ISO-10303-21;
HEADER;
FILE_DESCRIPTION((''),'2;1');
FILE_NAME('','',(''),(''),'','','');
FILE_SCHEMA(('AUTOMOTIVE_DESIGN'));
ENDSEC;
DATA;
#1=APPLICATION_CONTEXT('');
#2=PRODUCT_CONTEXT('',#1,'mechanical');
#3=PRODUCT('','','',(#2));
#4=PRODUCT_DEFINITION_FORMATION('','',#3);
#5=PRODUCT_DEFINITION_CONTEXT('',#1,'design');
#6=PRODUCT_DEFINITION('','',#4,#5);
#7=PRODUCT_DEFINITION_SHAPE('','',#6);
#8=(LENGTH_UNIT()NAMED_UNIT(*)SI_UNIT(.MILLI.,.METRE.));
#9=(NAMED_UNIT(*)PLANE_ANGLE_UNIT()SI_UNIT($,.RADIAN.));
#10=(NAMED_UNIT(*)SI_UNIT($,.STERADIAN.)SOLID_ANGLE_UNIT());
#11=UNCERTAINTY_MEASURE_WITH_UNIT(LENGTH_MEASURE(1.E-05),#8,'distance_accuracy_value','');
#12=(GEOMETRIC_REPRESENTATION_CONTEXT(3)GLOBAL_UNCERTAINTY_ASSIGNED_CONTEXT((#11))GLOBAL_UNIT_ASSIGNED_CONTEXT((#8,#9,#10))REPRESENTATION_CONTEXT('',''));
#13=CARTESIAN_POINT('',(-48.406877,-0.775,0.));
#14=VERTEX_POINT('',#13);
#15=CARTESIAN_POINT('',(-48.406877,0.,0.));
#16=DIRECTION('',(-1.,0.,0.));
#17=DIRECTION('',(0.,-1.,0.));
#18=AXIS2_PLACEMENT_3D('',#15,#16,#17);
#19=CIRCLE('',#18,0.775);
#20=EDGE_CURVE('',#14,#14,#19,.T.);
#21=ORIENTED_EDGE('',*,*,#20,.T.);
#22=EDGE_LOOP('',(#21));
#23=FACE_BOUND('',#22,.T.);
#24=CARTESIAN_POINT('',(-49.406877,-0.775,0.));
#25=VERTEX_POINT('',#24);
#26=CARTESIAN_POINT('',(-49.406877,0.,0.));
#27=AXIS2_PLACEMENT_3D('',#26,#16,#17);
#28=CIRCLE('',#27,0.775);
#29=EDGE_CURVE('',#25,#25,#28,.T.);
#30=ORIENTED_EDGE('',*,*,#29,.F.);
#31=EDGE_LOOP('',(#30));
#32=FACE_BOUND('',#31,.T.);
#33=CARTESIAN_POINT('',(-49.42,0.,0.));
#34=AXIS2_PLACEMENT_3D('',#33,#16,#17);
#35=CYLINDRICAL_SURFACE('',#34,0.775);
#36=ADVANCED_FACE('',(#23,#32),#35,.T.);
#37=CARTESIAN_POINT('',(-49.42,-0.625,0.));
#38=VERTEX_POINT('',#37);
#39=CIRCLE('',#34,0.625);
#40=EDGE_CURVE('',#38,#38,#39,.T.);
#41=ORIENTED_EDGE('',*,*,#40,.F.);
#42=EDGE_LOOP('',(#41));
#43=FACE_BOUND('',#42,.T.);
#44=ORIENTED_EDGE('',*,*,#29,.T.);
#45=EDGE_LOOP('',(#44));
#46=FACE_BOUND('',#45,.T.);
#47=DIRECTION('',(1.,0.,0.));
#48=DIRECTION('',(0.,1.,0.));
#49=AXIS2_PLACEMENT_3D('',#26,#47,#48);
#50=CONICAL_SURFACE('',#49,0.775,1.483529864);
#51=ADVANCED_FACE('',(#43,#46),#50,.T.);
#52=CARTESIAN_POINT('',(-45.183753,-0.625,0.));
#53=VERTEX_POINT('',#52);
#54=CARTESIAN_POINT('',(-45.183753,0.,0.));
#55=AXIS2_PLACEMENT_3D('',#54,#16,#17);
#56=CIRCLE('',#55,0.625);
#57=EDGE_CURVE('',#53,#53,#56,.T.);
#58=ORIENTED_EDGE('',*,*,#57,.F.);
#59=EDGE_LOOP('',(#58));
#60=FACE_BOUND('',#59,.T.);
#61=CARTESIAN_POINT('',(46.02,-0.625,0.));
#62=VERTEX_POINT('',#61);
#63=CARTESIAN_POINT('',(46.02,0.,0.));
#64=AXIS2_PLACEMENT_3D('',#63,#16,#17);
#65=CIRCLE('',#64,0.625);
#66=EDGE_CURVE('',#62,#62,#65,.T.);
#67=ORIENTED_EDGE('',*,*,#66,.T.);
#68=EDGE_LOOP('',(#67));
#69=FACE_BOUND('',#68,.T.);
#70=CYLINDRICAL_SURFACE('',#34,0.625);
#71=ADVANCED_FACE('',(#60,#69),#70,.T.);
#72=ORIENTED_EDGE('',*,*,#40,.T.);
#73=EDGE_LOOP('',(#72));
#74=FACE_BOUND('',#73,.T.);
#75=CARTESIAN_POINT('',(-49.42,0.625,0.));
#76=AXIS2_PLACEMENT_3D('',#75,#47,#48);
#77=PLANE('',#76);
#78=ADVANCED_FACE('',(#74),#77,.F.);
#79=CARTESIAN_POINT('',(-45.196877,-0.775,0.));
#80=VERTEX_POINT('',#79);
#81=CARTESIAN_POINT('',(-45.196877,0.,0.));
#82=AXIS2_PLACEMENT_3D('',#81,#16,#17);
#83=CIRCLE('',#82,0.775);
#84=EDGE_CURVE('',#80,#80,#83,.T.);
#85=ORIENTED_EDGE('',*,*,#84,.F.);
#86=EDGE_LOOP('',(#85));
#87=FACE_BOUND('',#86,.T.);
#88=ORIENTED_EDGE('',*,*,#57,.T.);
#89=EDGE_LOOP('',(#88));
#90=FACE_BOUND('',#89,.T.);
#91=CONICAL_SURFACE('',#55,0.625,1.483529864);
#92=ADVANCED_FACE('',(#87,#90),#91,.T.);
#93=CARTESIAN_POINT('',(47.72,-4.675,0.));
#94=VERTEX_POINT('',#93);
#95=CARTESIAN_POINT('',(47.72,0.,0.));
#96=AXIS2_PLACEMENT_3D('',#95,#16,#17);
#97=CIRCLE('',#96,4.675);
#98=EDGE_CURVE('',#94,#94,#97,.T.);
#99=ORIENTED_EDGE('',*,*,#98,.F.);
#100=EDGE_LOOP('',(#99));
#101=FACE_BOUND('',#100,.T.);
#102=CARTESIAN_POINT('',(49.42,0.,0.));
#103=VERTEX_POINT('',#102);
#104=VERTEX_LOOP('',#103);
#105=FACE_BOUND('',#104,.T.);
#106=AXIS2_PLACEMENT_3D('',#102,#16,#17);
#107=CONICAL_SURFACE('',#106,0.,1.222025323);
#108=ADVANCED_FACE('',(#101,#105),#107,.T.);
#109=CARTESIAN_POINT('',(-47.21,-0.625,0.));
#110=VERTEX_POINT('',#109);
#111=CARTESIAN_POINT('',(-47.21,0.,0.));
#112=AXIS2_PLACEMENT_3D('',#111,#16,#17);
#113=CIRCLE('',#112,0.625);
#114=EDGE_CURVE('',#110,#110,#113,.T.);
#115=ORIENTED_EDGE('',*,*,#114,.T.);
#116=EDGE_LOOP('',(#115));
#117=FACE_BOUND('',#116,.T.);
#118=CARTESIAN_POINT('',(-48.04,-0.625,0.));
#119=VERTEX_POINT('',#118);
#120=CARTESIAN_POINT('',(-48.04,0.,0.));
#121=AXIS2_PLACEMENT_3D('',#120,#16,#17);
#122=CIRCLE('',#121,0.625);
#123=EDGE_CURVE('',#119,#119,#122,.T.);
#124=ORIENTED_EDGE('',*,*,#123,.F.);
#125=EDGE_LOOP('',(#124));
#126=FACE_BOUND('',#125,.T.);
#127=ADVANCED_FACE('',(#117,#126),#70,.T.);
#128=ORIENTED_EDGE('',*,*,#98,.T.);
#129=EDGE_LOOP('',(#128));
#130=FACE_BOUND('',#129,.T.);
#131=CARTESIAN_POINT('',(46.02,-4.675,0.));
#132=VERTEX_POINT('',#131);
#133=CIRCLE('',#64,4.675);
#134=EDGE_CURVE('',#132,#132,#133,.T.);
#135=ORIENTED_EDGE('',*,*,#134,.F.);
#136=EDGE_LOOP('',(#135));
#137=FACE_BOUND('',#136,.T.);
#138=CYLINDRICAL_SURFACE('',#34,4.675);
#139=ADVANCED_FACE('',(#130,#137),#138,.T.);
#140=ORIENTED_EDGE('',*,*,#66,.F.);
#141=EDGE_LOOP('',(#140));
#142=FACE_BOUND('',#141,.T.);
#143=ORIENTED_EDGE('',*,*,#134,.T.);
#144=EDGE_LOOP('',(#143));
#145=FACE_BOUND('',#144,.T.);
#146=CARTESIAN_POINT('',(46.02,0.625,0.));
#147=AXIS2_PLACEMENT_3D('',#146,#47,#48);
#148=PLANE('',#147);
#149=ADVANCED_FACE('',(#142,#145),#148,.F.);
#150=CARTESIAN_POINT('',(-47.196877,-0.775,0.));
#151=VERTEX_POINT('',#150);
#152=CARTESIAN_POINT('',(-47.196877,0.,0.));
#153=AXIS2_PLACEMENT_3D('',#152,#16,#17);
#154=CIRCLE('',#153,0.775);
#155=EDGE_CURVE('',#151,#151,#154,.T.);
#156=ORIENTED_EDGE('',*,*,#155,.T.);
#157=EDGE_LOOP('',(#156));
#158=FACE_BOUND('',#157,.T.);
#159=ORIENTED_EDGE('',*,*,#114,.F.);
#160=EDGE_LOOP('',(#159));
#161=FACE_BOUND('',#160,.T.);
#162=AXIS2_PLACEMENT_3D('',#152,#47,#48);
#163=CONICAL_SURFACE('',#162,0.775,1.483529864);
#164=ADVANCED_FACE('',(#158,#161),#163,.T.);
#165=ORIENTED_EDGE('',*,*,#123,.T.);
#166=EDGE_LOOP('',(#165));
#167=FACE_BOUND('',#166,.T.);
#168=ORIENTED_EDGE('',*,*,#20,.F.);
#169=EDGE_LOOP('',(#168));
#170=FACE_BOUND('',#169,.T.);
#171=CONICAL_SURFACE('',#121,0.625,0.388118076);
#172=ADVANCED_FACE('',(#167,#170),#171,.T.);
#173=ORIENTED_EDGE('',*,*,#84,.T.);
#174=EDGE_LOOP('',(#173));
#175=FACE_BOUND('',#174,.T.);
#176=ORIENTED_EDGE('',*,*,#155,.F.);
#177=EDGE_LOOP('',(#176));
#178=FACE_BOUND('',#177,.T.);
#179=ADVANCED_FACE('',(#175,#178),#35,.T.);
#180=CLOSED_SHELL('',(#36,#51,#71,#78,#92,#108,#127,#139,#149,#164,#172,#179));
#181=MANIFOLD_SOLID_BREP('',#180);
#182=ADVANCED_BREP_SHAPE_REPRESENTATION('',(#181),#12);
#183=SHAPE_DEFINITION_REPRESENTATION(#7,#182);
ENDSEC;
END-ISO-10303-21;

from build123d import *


with BuildPart() as part:
    # Sketch1 → Revolve1 (revolve)
    with BuildSketch(Plane.XY):
        Polygon((-48.04, 0.625), (-47.21, 0.625), (-47.1968767, 0.775), (-45.1968767, 0.775), (-45.183753401, 0.625), (46.02, 0.625), (46.02, 4.675), (47.72, 4.675), (49.42, 0), (-49.42, 0), (-49.42, 0.625), (-49.4068767, 0.775), (-48.4068767, 0.775), align=None)
    revolve(axis=Axis((-49.42, 0, 0), (1, 0, 0)))


solid = part.part
